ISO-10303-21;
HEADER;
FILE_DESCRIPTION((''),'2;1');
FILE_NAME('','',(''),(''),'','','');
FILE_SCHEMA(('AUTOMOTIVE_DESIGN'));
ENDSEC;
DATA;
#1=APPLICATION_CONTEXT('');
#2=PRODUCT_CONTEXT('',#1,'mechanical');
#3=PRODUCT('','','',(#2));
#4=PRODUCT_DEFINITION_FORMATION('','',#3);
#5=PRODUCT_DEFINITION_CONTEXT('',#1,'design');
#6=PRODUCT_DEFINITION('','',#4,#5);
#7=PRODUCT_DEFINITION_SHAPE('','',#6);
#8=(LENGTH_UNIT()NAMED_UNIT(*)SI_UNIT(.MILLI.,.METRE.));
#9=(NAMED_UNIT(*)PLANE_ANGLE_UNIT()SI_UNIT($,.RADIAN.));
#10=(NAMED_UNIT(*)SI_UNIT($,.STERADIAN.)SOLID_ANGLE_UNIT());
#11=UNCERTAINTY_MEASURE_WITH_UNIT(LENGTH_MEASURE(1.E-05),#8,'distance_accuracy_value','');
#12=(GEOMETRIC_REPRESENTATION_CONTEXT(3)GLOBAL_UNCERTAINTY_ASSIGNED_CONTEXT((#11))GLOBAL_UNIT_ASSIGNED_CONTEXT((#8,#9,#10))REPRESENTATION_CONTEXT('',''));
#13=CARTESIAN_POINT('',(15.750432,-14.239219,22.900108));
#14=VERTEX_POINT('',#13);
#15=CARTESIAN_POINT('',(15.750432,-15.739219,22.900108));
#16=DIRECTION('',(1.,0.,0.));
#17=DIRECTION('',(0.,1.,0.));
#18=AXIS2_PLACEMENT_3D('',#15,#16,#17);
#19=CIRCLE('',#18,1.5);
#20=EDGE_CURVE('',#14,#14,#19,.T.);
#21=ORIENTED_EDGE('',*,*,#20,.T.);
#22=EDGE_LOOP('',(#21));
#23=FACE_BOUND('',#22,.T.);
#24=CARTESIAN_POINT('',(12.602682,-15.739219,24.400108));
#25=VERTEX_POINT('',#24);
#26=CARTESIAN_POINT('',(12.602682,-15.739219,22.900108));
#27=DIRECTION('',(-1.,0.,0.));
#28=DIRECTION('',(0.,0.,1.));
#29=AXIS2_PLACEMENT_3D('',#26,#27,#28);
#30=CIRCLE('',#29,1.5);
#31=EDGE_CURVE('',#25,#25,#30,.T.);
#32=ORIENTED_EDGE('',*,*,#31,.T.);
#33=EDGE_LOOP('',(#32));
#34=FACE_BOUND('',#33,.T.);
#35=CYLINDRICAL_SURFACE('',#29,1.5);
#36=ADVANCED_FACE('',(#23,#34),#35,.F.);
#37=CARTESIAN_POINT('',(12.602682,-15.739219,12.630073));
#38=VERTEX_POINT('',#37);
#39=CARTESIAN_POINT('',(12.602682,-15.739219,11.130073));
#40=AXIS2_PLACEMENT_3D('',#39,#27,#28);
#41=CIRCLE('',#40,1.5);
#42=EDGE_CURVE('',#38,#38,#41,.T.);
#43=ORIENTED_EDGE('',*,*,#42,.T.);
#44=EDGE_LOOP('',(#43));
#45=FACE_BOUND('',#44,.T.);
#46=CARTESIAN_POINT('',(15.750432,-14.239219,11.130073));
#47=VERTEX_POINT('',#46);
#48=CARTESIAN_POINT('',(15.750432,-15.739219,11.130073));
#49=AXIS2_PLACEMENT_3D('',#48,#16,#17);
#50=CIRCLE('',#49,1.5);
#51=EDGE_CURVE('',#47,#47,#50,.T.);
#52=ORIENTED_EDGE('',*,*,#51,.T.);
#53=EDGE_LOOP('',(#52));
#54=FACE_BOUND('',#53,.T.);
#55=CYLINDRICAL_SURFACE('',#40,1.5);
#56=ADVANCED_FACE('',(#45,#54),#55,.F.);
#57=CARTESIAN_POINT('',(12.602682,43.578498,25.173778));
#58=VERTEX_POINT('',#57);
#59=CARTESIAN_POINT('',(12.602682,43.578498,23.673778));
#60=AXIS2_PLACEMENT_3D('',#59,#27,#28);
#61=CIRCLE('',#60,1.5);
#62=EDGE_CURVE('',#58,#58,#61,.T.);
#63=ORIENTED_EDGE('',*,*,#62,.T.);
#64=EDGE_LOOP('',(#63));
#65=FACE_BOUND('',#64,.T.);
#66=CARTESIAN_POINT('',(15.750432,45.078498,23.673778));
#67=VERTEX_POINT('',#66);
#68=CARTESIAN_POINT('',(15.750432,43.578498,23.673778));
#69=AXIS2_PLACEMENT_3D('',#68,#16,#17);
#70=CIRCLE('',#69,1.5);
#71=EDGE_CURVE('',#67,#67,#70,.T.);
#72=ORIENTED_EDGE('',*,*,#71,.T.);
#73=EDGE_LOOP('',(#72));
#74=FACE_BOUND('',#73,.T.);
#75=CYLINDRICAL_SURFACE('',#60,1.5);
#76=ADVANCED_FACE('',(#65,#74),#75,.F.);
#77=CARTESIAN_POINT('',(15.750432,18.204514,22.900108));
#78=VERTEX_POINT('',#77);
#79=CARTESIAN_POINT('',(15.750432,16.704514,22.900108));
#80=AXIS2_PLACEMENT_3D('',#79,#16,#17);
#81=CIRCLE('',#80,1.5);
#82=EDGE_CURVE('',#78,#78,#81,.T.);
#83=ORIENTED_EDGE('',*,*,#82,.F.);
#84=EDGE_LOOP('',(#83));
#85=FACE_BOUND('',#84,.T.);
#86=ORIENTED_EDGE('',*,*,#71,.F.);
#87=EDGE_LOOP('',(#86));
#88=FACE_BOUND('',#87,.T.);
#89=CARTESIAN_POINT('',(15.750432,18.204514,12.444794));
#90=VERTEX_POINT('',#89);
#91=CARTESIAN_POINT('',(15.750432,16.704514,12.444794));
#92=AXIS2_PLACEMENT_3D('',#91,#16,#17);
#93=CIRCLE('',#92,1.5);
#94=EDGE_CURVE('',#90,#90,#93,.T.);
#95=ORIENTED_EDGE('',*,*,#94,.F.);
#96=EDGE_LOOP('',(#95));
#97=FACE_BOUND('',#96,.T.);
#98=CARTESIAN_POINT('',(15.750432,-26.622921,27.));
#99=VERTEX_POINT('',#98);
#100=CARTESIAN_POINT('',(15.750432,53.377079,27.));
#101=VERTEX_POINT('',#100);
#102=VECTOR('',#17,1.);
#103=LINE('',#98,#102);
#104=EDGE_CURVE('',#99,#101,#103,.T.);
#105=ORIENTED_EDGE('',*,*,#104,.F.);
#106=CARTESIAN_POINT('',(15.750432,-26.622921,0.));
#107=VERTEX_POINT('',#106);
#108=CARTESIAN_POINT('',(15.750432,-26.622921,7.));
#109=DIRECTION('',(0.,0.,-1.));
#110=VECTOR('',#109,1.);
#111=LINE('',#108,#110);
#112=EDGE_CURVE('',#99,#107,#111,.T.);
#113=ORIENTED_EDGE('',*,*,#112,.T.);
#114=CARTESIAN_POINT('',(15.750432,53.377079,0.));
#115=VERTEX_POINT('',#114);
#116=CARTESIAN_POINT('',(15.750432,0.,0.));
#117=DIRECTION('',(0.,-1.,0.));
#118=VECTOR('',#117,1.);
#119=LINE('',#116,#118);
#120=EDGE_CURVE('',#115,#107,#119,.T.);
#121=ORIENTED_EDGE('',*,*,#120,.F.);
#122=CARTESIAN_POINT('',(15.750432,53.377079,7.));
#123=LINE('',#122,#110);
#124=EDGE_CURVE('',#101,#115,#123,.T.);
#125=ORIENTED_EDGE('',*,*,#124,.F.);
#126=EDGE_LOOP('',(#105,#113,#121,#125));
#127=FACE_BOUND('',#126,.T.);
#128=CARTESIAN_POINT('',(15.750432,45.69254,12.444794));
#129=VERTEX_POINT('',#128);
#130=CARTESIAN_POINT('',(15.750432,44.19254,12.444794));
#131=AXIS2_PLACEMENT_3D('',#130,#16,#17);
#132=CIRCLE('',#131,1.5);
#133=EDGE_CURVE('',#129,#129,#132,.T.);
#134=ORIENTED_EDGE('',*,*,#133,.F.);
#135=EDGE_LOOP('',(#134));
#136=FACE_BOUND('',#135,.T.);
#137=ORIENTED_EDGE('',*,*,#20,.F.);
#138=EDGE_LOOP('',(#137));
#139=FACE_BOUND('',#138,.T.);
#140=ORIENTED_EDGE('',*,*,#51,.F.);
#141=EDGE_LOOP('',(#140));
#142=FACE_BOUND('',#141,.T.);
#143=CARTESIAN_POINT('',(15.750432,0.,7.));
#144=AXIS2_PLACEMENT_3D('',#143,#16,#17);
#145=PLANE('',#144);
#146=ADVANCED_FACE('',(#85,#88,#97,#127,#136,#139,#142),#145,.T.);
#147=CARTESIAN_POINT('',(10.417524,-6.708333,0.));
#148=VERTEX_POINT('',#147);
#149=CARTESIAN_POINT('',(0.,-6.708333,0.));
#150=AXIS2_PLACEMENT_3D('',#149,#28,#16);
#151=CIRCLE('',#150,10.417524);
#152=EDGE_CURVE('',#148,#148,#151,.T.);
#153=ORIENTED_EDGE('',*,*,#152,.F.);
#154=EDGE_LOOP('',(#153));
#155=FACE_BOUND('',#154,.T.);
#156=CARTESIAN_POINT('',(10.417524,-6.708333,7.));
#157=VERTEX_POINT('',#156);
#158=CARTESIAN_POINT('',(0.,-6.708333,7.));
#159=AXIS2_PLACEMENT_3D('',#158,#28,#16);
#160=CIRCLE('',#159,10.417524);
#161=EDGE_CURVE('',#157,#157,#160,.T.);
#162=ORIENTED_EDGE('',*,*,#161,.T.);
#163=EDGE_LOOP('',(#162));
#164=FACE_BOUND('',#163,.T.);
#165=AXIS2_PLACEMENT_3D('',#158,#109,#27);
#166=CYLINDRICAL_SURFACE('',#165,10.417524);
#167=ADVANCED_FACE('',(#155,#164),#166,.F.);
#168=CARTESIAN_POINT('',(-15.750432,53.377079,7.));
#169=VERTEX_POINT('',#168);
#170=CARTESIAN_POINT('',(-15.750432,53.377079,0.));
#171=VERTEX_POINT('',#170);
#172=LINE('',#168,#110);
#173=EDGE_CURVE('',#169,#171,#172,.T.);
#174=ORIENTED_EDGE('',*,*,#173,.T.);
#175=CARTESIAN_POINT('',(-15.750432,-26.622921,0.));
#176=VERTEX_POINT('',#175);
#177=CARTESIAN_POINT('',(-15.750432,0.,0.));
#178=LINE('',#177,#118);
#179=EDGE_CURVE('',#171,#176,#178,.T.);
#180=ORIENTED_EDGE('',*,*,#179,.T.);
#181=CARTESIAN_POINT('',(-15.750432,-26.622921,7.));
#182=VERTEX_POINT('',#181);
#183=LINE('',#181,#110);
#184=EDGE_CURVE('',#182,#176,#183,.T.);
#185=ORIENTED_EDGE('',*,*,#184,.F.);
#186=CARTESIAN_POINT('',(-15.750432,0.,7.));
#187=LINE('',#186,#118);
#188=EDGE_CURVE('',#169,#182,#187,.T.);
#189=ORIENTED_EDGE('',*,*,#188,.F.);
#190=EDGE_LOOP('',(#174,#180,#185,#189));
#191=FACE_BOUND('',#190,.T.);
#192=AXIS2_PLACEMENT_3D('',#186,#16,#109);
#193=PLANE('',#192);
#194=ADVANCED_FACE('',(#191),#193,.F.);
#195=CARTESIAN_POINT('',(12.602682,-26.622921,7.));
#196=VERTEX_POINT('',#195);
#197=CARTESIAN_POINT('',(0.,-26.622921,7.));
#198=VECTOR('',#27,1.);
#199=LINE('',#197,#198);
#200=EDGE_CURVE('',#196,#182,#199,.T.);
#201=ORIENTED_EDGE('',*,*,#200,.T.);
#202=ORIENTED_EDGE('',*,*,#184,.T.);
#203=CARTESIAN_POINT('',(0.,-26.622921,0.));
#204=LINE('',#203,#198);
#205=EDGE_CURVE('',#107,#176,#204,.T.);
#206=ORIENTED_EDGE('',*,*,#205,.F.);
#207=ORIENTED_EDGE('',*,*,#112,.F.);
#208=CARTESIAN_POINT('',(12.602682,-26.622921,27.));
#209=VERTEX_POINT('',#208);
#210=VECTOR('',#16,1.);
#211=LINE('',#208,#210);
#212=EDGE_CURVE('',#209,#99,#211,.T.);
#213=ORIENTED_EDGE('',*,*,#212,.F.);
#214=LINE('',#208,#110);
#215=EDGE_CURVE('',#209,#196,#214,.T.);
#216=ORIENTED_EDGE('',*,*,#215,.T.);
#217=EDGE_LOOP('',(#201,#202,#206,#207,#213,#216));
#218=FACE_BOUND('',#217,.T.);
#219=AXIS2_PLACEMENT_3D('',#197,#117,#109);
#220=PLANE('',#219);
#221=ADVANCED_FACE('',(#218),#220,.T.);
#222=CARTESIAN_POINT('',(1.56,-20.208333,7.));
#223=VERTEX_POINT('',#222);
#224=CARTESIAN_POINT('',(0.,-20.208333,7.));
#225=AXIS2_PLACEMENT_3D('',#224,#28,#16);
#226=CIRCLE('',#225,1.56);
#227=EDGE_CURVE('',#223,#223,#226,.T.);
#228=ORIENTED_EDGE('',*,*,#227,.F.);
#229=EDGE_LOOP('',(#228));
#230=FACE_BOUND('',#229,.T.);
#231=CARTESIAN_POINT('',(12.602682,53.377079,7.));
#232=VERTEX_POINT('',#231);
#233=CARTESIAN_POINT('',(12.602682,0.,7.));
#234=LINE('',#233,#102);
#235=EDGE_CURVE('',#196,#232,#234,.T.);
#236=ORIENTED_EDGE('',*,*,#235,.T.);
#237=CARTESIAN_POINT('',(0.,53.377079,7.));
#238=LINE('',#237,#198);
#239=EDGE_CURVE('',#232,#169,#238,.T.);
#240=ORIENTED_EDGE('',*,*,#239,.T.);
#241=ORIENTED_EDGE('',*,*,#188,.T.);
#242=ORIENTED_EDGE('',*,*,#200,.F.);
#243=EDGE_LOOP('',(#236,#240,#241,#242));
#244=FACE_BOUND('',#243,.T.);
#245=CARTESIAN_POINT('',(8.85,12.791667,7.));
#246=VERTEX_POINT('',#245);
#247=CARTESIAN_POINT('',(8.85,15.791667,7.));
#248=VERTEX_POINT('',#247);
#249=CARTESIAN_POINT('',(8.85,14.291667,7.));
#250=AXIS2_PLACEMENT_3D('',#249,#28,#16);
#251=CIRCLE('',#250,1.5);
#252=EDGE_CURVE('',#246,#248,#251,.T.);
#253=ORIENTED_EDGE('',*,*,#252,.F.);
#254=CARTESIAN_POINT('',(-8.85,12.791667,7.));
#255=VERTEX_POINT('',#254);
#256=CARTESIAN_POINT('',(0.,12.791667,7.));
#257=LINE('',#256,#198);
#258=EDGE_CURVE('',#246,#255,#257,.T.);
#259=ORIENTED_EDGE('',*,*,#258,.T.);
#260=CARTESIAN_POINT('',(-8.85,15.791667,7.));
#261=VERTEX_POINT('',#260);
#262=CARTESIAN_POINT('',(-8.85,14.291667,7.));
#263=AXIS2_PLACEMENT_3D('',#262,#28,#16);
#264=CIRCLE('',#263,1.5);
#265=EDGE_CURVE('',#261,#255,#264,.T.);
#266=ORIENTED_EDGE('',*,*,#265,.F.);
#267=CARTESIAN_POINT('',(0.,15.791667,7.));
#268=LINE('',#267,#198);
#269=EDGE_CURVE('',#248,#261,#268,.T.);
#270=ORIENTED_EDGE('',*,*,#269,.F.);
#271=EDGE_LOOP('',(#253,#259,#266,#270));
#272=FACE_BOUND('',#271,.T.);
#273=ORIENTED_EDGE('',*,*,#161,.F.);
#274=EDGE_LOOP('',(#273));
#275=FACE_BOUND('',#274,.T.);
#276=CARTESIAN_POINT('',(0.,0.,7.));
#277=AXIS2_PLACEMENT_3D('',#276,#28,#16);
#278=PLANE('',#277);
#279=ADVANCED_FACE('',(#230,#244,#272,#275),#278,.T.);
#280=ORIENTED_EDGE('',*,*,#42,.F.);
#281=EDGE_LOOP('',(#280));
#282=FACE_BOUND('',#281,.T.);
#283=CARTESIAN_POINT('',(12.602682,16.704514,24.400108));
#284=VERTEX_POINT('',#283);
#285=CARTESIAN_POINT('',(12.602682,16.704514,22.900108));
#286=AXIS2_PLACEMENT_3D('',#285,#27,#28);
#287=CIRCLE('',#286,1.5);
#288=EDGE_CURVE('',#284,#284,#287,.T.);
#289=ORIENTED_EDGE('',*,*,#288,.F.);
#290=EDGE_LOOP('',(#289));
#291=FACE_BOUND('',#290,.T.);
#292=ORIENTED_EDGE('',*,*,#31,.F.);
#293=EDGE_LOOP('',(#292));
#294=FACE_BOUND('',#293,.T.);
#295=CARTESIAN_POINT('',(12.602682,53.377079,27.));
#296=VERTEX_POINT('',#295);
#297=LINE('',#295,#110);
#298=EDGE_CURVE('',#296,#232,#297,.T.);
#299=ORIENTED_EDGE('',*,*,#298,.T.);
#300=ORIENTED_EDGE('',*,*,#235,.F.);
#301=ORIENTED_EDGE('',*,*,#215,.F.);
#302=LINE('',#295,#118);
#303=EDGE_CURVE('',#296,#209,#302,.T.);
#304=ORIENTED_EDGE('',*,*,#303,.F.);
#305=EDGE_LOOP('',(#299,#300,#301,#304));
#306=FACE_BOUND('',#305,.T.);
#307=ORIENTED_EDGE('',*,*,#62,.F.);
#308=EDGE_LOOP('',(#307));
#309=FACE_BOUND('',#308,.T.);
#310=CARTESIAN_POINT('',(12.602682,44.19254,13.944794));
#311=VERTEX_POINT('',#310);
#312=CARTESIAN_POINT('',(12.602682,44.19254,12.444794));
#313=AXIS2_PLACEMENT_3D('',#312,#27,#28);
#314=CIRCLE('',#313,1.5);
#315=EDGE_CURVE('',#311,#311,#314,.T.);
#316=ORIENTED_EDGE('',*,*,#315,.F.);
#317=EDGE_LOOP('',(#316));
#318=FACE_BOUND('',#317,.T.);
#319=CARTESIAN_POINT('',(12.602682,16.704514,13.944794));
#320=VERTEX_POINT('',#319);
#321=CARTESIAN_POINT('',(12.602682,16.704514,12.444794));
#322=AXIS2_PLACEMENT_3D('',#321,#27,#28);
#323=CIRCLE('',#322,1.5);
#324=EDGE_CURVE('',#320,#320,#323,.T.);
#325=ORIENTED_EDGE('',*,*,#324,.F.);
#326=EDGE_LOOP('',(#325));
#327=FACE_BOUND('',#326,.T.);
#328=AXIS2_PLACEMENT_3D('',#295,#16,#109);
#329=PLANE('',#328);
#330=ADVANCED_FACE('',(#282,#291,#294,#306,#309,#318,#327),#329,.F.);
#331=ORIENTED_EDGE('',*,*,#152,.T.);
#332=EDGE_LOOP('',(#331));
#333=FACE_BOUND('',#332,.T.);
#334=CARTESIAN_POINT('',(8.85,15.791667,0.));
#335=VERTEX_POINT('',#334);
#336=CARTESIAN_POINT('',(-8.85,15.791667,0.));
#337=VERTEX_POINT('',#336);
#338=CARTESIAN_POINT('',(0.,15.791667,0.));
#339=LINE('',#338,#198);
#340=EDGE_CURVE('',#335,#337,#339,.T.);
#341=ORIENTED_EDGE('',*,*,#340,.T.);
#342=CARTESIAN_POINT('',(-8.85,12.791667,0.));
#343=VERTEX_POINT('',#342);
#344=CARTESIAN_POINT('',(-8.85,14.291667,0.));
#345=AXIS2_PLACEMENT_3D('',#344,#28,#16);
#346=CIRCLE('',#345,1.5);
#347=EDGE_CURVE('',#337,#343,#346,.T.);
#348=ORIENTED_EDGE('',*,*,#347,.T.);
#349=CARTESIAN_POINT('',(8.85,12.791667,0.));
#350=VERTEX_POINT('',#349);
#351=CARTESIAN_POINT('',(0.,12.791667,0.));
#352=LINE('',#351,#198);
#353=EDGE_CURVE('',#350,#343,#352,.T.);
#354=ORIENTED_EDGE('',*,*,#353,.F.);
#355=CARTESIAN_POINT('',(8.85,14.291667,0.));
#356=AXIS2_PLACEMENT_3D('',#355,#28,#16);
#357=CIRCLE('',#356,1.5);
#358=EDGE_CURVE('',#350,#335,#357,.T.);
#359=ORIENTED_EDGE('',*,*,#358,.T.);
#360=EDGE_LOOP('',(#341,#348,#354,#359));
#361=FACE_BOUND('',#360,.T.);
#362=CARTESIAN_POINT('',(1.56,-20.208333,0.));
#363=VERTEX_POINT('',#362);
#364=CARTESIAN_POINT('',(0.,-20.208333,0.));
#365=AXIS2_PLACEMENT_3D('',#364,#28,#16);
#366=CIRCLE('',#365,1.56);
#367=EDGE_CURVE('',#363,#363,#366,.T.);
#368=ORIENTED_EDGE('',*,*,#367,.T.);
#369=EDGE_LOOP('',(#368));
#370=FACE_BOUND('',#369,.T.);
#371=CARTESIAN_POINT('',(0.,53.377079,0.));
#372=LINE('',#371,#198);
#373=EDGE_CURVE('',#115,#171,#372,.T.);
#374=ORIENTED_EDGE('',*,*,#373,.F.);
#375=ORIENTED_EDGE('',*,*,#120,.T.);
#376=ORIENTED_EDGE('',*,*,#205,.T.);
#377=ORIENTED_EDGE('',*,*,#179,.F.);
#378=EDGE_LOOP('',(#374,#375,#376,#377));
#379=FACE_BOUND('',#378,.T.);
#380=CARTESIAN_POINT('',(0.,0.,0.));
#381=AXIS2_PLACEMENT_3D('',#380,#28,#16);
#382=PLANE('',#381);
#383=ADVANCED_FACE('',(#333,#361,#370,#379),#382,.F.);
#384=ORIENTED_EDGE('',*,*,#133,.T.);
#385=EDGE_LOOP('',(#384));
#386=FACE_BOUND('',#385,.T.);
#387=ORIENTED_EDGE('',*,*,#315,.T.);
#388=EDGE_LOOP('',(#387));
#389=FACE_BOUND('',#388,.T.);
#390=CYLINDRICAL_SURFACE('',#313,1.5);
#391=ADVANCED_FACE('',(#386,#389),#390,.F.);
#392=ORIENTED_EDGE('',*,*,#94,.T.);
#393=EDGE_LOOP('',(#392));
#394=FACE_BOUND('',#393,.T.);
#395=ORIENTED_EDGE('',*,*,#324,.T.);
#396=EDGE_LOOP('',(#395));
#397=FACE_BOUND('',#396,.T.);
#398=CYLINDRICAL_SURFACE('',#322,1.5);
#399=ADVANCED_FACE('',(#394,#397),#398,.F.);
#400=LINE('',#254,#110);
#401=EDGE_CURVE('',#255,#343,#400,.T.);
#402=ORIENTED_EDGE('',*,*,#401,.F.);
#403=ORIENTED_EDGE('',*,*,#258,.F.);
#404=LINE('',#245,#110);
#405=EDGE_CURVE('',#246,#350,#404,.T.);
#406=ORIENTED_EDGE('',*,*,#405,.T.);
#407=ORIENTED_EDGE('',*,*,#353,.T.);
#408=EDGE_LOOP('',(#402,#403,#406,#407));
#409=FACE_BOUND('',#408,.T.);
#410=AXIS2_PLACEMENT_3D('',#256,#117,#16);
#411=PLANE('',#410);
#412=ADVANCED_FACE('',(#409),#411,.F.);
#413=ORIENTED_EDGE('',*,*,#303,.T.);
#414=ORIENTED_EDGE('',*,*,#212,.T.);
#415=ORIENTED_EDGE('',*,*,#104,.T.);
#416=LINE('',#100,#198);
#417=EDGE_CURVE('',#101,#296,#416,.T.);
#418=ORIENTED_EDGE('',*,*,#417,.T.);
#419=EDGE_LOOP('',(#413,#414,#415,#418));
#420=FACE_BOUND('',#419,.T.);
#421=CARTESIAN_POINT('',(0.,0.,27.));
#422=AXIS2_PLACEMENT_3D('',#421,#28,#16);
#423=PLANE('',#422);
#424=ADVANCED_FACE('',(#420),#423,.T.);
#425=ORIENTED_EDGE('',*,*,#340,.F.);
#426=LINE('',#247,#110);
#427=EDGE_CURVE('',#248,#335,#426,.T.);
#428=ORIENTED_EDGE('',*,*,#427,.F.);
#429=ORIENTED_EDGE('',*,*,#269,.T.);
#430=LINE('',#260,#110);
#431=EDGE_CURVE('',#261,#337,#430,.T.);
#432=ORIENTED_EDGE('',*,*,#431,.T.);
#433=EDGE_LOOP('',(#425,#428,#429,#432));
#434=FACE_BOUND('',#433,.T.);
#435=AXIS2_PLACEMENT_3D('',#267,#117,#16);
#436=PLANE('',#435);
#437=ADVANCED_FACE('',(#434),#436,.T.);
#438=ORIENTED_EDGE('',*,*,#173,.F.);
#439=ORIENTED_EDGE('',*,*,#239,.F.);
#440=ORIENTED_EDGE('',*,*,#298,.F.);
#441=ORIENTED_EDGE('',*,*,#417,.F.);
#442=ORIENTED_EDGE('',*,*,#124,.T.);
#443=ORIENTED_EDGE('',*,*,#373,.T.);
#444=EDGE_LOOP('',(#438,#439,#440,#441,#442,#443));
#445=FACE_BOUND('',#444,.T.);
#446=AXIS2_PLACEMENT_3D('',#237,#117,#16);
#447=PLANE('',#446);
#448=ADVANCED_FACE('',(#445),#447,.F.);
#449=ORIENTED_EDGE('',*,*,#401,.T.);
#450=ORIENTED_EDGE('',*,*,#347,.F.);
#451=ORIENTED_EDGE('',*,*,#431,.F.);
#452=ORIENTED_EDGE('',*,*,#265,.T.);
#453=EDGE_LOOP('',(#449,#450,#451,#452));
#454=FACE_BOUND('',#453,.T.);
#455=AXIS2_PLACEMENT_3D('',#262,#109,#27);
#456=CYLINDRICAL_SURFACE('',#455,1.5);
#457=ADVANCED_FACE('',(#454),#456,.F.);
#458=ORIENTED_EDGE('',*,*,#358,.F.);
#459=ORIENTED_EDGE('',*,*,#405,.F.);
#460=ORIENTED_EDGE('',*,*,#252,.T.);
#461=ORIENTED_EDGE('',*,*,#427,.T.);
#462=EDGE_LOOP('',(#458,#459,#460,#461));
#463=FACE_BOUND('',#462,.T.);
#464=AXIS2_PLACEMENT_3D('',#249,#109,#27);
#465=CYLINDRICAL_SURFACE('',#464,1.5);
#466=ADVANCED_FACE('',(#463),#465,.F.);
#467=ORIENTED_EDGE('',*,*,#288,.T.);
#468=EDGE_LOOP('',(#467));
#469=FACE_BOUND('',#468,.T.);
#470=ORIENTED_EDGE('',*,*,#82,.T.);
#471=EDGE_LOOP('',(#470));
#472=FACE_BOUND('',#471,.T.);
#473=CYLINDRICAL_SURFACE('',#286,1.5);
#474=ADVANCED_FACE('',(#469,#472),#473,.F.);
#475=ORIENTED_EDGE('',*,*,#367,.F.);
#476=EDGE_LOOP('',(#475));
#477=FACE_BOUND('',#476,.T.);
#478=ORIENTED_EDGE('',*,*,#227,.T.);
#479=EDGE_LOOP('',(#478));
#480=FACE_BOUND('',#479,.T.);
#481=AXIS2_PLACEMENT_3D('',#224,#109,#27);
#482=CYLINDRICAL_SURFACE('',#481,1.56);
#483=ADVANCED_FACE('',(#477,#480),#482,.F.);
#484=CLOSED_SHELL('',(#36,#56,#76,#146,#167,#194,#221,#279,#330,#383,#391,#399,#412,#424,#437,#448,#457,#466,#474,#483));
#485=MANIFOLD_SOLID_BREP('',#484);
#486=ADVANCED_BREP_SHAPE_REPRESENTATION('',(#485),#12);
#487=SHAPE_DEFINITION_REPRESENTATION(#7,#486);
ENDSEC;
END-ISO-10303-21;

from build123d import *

# Parameters (mm, degrees)
SKETCH_1_W      = 31.500863908
SKETCH_1_H      = 80
SKETCH_1_R      = 10.417524335
SKETCH_1_R_2    = 1.56
EXTRUDE_1_DEPTH = 7
SKETCH_5_W      = 3.14774975
SKETCH_5_H      = 80
EXTRUDE_2_DEPTH = 27
MM_1_D          = 3
MM_1_DEPTH      = 3.14774975


with BuildPart() as part:
    # 草图1 → 凸台-拉伸1 (new body)
    with BuildSketch(Plane.XY):
        with Locations((0, 13.377078694)):
            Rectangle(SKETCH_1_W, SKETCH_1_H)
        with Locations((0, -6.708333333)):
            Circle(SKETCH_1_R, mode=Mode.SUBTRACT)
        with Locations((0, -20.208333333)):
            Circle(SKETCH_1_R_2, mode=Mode.SUBTRACT)
        with BuildLine():
            Line((8.85, 15.791666667), (-8.85, 15.791666667))
            ThreePointArc((-8.85, 15.791666667), (-10.35, 14.291666667), (-8.85, 12.791666667))
            Line((-8.85, 12.791666667), (8.85, 12.791666667))
            ThreePointArc((8.85, 12.791666667), (10.35, 14.291666667), (8.85, 15.791666667))
        make_face(mode=Mode.SUBTRACT)
    extrude(amount=EXTRUDE_1_DEPTH)

    # 草图5 → 凸台-拉伸2 (add)
    with BuildSketch(Plane.XY):
        with Locations((14.176557079, 13.377078694)):
            Rectangle(SKETCH_5_W, SKETCH_5_H)
    extrude(amount=EXTRUDE_2_DEPTH)

    # 大小mm 暗销孔1
    with Locations(Plane.ZY.offset(-12.602682204)):
        with Locations((12.444794173, 44.192540423), (23.673777791, 43.57849825), (11.130072788, -15.739218974), (22.900107862, -15.739218974), (12.444794173, 16.704513785), (22.900107862, 16.704513785)):
            Hole(MM_1_D / 2, depth=MM_1_DEPTH)


solid = part.part
